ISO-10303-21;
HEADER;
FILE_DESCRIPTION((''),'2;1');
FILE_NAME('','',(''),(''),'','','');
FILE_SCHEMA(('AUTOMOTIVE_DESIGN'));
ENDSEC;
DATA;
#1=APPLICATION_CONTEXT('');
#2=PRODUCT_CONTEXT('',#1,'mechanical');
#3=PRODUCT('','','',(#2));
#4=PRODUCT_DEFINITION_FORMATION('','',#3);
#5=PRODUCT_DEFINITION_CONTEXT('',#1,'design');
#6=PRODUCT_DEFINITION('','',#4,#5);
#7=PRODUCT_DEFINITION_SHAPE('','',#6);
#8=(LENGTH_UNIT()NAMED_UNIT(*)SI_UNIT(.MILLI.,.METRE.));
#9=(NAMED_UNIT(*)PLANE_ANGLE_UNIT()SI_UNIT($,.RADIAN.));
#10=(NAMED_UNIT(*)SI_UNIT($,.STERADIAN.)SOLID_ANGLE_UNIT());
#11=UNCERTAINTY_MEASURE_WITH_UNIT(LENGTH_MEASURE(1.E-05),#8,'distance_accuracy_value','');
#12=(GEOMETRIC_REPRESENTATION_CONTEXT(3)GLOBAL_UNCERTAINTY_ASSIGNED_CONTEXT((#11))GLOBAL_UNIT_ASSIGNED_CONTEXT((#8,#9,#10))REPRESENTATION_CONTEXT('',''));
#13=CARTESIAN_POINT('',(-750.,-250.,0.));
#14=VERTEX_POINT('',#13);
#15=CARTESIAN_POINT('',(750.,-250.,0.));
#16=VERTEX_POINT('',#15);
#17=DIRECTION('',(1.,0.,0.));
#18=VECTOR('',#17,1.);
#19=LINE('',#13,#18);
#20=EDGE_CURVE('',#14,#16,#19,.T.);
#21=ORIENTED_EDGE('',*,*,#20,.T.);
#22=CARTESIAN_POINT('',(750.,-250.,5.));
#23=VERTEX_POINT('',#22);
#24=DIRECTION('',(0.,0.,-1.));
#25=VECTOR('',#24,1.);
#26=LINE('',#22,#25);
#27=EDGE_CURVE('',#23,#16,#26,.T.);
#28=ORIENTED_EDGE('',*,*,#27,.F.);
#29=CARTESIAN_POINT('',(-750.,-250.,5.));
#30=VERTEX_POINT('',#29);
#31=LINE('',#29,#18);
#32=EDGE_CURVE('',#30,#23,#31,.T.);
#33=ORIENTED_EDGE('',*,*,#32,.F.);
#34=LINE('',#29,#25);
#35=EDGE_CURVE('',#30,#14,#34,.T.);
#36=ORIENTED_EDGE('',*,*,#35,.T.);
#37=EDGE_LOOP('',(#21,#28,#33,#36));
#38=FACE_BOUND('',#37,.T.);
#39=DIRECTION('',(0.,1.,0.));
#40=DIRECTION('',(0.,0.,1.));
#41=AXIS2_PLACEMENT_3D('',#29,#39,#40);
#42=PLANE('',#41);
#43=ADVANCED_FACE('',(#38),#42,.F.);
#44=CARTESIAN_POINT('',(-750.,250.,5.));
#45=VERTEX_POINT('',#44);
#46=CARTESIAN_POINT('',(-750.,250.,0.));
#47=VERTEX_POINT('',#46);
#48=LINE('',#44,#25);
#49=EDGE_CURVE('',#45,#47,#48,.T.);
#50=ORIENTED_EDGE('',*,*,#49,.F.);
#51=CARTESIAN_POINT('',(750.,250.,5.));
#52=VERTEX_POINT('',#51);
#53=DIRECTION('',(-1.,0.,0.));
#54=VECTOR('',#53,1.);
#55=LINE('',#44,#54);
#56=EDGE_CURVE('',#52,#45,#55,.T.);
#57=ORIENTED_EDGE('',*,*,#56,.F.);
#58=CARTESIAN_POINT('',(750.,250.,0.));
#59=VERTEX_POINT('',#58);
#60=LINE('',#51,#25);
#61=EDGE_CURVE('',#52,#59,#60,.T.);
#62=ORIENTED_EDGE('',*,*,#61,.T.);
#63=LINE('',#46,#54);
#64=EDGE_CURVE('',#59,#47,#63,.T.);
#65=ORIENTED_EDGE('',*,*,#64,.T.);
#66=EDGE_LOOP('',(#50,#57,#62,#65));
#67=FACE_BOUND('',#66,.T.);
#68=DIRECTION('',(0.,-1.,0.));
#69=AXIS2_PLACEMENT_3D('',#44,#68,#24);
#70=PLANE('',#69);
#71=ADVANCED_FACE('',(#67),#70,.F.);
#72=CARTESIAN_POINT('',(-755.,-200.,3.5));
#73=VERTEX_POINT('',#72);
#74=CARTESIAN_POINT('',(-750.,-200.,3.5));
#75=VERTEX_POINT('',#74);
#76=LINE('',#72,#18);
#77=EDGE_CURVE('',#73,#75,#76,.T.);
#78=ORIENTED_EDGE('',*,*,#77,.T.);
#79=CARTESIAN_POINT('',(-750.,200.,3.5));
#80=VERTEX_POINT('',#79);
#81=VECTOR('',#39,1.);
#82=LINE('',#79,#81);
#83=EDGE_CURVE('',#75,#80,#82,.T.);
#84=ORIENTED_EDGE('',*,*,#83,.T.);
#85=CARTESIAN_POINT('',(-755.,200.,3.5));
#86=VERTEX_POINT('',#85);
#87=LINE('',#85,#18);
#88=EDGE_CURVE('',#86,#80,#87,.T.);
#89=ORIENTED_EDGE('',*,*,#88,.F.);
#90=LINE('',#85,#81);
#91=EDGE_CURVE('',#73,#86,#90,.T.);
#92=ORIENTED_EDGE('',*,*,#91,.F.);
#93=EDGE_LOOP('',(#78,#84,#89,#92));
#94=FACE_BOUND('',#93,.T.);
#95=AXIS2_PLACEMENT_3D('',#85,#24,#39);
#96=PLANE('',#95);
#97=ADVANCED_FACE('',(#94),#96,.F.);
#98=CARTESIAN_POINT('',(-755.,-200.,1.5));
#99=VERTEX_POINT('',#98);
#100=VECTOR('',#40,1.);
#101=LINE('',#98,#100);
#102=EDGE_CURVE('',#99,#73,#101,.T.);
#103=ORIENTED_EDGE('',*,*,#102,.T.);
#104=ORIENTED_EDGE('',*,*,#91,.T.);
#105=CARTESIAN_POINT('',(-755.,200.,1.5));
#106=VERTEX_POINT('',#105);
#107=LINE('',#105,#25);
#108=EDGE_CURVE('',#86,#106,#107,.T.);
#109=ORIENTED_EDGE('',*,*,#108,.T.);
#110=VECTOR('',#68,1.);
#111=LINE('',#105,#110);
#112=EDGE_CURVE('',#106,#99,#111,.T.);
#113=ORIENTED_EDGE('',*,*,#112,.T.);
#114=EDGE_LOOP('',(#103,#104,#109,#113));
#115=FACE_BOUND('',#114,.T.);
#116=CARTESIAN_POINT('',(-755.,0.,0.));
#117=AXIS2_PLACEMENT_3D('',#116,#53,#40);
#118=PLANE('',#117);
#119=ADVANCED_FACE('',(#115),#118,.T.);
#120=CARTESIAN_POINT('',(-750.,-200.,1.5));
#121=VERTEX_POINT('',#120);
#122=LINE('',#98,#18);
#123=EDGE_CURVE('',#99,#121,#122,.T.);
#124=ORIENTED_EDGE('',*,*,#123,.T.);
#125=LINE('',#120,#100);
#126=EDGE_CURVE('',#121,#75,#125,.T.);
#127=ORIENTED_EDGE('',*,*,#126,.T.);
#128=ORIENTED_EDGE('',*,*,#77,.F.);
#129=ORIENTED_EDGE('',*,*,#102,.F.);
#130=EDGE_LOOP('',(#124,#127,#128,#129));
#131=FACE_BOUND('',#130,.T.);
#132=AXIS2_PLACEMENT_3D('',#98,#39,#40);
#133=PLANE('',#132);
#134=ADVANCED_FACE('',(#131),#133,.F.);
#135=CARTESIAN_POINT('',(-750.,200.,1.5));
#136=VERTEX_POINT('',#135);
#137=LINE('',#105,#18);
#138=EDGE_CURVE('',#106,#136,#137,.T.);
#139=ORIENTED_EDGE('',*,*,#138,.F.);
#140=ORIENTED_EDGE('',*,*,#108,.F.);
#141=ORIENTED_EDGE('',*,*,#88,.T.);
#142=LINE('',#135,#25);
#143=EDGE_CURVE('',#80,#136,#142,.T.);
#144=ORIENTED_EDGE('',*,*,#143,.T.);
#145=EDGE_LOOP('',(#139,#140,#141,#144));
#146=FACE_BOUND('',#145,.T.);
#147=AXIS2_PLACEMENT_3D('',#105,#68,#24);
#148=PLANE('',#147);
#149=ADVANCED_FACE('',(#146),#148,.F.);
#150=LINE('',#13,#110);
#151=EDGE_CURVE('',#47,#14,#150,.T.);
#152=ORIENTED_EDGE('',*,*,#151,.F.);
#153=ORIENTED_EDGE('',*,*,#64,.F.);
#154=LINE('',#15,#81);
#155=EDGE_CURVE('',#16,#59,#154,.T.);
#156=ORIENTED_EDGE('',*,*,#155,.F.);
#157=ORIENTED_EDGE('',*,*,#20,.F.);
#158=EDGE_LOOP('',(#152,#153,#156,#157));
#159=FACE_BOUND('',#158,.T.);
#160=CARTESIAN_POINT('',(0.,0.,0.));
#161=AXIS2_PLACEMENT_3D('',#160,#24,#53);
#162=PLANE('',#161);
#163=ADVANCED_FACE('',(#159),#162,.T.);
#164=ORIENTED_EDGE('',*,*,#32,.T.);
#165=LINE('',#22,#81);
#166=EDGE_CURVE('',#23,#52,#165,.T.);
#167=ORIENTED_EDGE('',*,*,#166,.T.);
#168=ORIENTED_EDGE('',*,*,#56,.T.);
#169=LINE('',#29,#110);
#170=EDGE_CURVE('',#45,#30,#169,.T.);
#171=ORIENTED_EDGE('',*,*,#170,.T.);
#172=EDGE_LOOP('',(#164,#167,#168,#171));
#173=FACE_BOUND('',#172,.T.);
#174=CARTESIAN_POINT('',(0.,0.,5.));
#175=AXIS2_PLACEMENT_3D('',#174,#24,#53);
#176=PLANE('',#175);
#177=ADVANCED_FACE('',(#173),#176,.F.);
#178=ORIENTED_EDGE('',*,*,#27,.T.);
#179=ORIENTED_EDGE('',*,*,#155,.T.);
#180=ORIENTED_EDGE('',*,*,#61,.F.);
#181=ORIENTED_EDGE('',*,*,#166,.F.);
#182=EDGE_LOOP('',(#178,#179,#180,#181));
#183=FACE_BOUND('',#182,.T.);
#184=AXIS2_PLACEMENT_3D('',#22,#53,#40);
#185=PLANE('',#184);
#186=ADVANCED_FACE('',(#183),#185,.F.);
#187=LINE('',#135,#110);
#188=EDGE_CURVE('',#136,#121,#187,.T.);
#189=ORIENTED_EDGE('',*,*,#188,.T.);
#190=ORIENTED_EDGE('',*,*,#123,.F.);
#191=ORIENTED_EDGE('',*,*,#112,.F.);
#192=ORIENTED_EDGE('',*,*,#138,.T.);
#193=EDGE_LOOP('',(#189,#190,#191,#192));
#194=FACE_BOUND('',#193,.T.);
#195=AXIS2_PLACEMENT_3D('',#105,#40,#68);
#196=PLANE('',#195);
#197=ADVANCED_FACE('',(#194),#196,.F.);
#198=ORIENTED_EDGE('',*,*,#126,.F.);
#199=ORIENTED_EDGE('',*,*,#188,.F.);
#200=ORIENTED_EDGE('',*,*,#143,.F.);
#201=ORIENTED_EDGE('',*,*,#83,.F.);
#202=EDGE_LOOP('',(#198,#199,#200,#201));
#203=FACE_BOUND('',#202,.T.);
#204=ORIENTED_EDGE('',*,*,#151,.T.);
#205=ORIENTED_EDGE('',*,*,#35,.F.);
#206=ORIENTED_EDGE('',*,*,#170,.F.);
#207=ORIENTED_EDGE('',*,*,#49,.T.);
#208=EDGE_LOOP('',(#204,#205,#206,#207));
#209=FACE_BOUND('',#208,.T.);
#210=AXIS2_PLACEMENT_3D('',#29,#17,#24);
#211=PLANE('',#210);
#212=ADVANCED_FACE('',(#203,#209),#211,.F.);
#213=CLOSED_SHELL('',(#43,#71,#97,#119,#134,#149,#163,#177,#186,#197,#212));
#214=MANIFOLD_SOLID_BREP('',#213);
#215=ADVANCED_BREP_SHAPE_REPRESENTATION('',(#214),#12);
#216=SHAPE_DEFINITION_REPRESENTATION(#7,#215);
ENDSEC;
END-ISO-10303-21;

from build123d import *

# Parameters (mm, degrees)
SCHIZZO1_W                   = 1500
SCHIZZO1_H                   = 500
ESTRUSIONE_ESTRUSIONE1_DEPTH = 5
SCHIZZO2_W                   = 2
SCHIZZO2_H                   = 400
ESTRUSIONE_ESTRUSIONE2_DEPTH = 5


with BuildPart() as part:
    # Schizzo1 → Estrusione-Estrusione1 (new body)
    with BuildSketch(Plane.XY):
        Rectangle(SCHIZZO1_W, SCHIZZO1_H)
    extrude(amount=ESTRUSIONE_ESTRUSIONE1_DEPTH)

    # Schizzo2 → Estrusione-Estrusione2 (add)
    with BuildSketch(Plane.ZY.offset(750)):
        with Locations((2.5, 0)):
            Rectangle(SCHIZZO2_W, SCHIZZO2_H)
    extrude(amount=ESTRUSIONE_ESTRUSIONE2_DEPTH)


solid = part.part
